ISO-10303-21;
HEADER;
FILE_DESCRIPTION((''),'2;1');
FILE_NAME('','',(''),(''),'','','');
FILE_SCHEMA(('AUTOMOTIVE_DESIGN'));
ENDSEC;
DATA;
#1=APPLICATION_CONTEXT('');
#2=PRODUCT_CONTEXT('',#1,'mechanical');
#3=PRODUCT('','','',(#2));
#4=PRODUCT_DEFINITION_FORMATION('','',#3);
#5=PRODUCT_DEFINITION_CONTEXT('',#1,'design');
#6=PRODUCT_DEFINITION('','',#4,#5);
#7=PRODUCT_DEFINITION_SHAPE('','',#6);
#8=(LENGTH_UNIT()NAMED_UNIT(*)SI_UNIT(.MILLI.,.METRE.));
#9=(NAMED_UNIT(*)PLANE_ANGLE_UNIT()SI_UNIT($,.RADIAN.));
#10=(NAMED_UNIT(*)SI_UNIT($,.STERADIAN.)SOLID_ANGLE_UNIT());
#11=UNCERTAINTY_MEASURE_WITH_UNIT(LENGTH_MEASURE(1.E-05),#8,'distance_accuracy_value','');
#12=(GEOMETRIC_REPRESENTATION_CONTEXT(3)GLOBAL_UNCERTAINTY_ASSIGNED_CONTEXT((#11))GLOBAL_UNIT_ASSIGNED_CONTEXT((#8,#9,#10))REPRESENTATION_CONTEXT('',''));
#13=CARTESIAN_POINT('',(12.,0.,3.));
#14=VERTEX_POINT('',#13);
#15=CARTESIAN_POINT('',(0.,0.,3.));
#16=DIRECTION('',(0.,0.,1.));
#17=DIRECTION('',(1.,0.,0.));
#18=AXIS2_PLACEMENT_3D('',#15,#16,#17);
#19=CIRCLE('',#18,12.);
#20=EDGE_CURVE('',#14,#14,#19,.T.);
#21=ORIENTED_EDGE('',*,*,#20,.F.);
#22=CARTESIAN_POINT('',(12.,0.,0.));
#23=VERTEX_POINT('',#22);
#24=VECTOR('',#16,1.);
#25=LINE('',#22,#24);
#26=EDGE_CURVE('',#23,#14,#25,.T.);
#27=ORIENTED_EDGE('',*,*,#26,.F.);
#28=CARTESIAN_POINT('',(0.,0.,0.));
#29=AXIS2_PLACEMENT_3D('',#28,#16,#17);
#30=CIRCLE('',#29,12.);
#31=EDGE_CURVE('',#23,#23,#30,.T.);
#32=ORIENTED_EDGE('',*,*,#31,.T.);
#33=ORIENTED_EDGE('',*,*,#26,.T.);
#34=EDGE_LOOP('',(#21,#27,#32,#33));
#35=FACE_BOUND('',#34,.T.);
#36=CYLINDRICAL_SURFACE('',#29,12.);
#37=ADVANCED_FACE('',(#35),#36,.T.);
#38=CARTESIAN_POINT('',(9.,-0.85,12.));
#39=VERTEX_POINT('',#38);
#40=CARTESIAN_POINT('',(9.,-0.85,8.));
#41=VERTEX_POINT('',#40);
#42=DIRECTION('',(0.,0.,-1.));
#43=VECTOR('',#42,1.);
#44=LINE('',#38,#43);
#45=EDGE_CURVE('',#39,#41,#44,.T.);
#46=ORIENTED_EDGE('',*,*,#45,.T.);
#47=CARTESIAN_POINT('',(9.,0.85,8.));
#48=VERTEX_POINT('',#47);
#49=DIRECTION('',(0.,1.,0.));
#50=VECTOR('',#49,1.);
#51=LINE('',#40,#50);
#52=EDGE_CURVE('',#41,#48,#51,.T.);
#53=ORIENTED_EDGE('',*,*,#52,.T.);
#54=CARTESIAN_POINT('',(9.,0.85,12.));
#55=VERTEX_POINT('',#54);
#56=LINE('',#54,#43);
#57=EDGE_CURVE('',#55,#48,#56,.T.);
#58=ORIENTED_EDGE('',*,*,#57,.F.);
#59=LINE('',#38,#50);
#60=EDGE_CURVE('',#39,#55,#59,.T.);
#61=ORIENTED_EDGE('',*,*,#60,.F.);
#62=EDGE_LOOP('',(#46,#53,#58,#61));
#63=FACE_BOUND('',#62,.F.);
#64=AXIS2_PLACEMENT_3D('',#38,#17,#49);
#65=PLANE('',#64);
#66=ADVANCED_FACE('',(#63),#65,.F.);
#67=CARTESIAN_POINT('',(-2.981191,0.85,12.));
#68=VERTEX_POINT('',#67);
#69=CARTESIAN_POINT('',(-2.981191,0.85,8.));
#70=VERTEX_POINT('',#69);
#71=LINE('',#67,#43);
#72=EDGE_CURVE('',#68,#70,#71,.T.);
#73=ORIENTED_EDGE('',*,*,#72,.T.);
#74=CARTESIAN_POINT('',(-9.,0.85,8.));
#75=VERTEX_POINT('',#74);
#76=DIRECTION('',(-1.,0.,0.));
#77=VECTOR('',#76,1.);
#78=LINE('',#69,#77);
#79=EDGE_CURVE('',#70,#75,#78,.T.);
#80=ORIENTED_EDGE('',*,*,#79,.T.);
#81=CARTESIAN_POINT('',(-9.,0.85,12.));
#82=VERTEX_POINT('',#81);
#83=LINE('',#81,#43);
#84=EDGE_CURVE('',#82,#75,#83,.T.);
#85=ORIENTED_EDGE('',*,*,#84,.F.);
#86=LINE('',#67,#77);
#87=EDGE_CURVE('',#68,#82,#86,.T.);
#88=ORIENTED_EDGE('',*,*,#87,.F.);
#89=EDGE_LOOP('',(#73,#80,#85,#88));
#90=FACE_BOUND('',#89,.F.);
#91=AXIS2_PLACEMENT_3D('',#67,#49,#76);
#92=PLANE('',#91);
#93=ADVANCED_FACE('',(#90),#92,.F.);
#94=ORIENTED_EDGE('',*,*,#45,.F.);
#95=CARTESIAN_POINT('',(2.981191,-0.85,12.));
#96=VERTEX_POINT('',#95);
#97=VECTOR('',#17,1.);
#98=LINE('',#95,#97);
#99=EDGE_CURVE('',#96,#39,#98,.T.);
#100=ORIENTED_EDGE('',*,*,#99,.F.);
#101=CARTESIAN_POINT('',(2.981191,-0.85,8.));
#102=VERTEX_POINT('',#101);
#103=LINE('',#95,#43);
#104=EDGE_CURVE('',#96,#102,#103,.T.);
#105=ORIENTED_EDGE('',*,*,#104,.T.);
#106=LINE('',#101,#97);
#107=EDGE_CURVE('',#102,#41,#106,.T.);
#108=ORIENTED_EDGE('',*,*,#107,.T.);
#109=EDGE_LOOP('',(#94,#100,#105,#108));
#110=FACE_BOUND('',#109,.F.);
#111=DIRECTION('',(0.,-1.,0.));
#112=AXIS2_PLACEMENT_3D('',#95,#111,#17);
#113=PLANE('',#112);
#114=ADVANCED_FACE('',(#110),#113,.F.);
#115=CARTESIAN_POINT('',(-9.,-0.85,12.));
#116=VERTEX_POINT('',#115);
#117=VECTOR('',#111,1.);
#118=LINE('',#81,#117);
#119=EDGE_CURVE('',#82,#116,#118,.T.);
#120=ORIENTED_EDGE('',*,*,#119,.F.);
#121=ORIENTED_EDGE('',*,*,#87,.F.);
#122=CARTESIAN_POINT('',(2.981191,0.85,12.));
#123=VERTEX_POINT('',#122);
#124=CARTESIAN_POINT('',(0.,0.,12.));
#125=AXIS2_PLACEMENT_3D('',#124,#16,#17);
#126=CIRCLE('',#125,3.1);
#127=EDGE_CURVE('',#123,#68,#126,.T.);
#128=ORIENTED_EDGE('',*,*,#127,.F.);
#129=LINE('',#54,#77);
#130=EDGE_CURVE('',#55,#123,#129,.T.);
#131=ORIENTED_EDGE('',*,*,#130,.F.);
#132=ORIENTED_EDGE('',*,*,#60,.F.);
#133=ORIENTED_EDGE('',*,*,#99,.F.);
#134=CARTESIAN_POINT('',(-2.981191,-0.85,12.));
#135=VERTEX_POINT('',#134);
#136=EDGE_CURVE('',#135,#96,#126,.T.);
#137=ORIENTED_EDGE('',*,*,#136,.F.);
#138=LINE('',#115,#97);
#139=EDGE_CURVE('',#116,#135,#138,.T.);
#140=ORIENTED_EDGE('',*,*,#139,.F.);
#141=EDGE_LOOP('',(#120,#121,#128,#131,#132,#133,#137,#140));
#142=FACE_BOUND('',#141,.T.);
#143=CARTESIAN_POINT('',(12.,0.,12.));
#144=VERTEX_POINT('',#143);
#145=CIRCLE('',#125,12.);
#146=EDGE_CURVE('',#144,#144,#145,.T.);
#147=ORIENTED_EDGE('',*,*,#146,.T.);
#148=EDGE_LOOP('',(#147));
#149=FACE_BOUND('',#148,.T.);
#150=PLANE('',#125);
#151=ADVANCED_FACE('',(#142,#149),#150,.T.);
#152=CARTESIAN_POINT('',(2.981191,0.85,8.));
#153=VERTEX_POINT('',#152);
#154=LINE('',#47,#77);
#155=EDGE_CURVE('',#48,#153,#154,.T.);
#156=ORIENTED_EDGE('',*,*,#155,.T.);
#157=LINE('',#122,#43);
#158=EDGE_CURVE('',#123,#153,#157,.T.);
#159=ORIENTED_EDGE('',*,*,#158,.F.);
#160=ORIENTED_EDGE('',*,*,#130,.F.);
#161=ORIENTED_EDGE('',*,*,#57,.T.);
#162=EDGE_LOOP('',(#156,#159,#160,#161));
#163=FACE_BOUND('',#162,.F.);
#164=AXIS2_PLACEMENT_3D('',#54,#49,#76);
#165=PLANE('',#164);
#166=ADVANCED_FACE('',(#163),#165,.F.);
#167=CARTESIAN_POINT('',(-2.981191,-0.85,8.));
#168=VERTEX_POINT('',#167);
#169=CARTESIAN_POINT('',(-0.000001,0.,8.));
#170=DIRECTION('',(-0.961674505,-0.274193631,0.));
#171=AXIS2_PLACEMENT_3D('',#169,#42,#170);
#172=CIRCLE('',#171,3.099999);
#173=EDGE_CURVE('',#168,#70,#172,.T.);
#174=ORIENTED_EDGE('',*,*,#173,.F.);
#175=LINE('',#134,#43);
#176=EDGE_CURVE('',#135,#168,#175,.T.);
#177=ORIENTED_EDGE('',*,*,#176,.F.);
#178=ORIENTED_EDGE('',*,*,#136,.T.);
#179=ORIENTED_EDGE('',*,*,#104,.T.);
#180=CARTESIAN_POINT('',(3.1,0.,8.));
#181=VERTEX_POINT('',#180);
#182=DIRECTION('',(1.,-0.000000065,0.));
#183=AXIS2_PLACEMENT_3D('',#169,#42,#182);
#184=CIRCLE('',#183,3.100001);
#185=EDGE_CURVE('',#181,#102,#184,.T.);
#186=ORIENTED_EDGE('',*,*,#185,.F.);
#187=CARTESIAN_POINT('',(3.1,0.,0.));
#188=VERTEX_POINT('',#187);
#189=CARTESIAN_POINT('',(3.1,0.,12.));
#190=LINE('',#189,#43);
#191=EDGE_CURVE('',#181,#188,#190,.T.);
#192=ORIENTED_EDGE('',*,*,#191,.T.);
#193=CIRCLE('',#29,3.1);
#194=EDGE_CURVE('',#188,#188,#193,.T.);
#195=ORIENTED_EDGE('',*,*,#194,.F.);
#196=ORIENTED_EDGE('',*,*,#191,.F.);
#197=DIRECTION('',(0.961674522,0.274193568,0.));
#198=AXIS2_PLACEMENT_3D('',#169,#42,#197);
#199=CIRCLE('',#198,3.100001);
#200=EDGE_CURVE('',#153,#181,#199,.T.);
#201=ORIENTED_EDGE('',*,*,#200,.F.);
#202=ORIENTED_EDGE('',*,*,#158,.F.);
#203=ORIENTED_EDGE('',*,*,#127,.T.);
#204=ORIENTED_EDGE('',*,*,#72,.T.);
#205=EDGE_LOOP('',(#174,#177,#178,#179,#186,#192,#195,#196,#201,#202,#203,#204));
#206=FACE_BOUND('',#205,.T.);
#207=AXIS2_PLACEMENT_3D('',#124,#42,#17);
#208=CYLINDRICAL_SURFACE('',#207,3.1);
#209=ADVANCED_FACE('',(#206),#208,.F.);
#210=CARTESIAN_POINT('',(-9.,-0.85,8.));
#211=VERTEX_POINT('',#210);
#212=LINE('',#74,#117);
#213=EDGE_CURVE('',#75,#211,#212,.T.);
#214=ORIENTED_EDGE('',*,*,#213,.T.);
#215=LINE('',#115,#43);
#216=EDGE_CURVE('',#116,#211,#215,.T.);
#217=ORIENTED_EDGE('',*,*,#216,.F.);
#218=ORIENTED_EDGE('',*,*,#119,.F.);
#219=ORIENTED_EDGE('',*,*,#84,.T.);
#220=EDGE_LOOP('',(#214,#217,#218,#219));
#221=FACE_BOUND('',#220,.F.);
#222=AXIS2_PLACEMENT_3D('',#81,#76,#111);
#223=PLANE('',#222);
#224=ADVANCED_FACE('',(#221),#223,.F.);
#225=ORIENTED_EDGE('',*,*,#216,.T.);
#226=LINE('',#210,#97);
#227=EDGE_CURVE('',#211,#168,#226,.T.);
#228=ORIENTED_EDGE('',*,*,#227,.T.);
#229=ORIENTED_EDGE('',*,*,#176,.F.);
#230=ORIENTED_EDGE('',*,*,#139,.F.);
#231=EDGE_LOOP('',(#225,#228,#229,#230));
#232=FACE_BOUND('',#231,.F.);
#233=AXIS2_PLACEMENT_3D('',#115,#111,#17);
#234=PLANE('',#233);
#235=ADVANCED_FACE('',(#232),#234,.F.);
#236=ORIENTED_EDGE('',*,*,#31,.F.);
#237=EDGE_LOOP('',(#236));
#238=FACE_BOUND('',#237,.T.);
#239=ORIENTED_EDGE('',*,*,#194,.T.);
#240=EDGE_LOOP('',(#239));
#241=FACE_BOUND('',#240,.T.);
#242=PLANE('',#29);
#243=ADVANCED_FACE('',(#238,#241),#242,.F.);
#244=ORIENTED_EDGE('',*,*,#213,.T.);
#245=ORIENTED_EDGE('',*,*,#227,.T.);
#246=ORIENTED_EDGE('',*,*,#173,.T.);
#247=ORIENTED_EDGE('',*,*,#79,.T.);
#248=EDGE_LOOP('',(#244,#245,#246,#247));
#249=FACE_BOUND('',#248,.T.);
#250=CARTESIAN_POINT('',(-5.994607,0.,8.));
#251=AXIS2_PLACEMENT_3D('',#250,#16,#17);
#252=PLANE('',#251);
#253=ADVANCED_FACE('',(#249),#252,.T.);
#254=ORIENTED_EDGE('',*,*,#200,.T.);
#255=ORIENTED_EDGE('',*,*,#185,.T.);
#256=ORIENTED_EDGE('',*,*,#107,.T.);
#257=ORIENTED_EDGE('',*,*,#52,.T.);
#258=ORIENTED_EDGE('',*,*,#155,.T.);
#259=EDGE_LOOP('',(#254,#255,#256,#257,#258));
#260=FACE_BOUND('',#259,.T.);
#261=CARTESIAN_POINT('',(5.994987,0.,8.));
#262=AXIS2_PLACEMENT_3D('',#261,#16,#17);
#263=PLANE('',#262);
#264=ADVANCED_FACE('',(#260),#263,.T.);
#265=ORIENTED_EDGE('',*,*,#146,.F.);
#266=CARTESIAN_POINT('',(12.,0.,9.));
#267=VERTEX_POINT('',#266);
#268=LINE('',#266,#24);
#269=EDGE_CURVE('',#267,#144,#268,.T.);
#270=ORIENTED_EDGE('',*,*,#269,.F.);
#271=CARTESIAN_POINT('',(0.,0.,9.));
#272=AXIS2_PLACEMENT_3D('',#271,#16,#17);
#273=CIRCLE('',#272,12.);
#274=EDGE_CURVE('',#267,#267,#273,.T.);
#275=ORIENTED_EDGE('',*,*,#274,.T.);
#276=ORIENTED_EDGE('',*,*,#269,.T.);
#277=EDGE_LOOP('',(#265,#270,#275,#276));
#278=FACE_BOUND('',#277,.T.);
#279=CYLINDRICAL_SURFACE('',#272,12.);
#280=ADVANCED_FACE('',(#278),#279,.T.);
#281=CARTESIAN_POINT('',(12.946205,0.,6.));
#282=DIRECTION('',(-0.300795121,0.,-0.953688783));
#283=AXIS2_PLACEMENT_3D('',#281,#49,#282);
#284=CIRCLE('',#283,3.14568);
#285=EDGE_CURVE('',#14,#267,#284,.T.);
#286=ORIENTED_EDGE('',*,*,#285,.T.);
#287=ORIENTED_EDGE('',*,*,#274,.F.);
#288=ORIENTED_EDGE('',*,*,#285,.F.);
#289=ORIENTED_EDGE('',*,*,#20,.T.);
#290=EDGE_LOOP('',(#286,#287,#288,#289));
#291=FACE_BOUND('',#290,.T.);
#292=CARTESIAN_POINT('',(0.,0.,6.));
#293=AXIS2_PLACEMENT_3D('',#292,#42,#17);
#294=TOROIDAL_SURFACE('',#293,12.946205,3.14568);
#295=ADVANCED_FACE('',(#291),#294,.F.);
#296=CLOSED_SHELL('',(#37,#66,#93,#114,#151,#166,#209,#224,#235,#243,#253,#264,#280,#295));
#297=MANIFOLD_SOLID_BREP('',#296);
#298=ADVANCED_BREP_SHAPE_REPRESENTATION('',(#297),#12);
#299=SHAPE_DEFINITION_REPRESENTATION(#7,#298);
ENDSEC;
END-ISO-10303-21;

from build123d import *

# Parameters (mm, degrees)
F3_DEPTH = 4


with BuildPart() as f1:
    # F0 (on Front) → F1 (revolve)
    with BuildSketch(Plane.XZ):
        with BuildLine():
            Line((12, 9), (12, 12))
            Line((12, 12), (3.1, 12))
            Line((3.1, 12), (3.1, 0))
            Line((3.1, 0), (12, 0))
            Line((12, 0), (12, 3))
            ThreePointArc((12, 3), (9.800525, 6), (12, 9))
        make_face()
    revolve(axis=Axis((0, 0, 8.473897), (0, 0, 1)))

    # F2 (on face) → F3 (cut)
    with BuildSketch(Plane.XY.offset(12)):
        with BuildLine():
            Line((-9, -0.85), (-2.981191, -0.85))
            ThreePointArc((-2.981191, -0.85), (-3.1, 0), (-2.981191, 0.85))
            Line((-2.981191, 0.85), (-9, 0.85))
            Line((-9, 0.85), (-9, -0.85))
        make_face()
        with BuildLine():
            Line((2.981191, -0.85), (9, -0.85))
            Line((9, -0.85), (9, 0.85))
            Line((9, 0.85), (2.981191, 0.85))
            ThreePointArc((2.981191, 0.85), (3.070154, 0.429132), (3.1, 0))
            ThreePointArc((3.1, 0), (3.070154, -0.429132), (2.981191, -0.85))
        make_face()
    extrude(amount=-F3_DEPTH, mode=Mode.SUBTRACT)


solid = f1.part
